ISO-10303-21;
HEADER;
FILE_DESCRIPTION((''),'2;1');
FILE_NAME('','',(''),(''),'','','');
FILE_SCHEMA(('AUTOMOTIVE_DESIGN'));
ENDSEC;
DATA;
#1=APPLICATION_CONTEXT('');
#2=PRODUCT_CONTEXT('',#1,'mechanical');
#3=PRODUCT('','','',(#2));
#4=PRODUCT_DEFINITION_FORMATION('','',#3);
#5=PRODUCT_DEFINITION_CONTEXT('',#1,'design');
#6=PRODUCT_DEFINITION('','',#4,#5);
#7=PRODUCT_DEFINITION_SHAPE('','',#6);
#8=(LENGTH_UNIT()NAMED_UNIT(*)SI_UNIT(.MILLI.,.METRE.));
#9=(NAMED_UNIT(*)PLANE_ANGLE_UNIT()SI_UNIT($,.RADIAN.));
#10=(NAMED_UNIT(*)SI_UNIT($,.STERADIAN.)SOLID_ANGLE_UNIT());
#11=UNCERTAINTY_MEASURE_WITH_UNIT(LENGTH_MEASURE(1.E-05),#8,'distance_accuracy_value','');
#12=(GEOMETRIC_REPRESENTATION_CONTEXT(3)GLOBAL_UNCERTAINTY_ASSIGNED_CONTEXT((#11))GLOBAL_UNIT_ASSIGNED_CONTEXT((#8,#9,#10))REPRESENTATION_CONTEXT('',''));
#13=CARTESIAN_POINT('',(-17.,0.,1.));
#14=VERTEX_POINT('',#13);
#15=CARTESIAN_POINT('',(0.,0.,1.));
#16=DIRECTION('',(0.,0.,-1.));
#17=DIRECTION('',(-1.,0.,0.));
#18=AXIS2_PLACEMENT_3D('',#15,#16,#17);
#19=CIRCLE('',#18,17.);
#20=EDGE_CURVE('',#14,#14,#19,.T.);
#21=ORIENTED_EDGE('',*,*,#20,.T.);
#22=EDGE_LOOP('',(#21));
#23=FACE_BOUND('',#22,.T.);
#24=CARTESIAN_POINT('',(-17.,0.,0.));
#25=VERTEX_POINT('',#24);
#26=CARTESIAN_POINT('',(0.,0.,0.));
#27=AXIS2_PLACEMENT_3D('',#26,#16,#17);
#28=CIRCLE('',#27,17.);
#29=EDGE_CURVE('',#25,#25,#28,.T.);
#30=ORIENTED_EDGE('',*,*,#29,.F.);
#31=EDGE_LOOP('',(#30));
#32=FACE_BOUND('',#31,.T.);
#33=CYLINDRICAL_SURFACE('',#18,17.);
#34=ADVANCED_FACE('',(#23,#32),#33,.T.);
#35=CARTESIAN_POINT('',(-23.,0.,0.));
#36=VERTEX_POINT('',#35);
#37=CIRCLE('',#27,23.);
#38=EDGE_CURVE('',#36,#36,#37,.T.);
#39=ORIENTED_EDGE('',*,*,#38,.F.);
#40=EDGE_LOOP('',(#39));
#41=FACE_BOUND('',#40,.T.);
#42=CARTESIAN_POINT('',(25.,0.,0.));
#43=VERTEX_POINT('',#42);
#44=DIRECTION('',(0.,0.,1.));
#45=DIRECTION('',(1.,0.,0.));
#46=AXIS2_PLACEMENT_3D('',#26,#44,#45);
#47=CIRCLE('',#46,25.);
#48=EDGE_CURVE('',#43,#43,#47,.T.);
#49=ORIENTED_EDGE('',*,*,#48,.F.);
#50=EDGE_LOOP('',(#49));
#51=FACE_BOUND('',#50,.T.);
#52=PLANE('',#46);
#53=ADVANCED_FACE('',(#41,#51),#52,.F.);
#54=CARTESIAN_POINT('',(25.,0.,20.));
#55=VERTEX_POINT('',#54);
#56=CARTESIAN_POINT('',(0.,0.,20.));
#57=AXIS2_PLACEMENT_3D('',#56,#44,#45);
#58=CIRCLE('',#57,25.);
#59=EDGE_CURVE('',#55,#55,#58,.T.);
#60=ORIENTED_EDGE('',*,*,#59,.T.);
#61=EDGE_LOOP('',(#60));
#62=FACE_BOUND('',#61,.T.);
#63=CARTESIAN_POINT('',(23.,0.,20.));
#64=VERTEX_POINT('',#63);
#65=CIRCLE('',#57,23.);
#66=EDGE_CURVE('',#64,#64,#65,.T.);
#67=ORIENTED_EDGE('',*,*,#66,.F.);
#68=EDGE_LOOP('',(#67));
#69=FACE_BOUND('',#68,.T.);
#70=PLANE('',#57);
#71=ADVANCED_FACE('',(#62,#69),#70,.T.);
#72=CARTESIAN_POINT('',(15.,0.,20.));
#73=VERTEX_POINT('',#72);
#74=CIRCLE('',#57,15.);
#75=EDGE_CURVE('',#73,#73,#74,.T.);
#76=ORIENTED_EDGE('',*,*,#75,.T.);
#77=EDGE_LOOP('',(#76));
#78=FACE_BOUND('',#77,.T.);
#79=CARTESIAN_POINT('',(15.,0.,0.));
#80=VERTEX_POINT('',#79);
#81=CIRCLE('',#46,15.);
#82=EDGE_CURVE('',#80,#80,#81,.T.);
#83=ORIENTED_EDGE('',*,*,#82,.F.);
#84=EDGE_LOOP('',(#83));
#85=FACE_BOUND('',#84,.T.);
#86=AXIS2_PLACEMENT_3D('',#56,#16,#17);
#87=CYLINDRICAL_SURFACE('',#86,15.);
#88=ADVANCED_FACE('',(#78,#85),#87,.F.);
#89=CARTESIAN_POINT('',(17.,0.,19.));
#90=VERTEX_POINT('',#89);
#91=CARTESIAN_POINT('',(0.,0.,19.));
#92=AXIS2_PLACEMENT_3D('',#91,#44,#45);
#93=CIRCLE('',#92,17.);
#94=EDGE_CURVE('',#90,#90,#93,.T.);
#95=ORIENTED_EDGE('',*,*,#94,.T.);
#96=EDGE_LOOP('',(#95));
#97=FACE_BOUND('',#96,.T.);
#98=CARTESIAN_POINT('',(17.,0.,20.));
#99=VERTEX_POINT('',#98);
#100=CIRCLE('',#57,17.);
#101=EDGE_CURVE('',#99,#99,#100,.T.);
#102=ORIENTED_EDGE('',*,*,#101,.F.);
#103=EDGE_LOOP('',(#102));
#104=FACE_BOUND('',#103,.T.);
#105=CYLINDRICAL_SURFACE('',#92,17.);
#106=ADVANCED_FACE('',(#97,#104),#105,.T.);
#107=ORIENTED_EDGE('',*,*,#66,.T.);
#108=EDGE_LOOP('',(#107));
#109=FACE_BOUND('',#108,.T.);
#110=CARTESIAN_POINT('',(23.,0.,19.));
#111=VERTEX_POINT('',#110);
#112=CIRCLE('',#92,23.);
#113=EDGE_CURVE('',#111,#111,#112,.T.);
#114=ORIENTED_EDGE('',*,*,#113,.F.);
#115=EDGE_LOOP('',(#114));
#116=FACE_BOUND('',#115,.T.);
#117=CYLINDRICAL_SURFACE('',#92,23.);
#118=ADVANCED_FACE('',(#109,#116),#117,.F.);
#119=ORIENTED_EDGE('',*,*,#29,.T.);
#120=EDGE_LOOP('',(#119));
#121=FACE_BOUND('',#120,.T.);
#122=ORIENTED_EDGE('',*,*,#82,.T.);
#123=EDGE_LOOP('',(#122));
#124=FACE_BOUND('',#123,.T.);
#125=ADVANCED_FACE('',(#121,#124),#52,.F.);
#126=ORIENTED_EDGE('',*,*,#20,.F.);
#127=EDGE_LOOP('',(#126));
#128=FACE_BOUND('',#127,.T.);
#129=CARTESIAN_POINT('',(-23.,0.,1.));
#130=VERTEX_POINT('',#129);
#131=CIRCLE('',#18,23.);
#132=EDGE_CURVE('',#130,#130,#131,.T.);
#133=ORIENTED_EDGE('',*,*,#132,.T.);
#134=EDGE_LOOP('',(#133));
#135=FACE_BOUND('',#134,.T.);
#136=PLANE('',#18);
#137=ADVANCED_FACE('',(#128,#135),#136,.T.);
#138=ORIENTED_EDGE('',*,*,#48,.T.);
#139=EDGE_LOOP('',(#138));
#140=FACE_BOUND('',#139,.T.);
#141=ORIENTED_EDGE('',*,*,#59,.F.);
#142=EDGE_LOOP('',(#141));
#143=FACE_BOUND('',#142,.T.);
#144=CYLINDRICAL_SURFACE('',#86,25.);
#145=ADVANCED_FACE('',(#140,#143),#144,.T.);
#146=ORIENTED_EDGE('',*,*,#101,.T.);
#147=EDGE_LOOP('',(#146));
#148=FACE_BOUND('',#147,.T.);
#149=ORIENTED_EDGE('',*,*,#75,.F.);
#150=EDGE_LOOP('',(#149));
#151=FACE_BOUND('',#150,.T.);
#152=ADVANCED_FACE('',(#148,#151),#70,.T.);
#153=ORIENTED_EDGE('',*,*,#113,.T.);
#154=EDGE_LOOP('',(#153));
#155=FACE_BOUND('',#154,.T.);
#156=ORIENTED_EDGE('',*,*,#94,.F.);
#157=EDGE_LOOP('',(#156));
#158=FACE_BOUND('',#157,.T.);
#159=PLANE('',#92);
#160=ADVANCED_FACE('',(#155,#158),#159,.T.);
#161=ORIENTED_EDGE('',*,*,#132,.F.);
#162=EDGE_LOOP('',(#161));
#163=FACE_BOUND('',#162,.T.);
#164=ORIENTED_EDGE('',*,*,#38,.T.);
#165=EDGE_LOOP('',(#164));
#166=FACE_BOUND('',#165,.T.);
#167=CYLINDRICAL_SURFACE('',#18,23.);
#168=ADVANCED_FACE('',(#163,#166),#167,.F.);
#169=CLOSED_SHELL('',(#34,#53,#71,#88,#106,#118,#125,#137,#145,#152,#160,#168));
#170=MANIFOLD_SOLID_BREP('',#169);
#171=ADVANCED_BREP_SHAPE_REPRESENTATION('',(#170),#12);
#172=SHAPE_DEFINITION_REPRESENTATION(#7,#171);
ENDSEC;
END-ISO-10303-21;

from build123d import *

# Parameters (mm, degrees)
SKETCH1_R           = 25
SKETCH1_R_2         = 15
BOSS_EXTRUDE1_DEPTH = 20
SKETCH2_R           = 23
SKETCH2_R_2         = 17
CUT_EXTRUDE1_DEPTH  = 1
CUT_EXTRUDE2_START  = -1
SKETCH3_R           = 23
SKETCH3_R_2         = 17
CUT_EXTRUDE2_DEPTH  = 1


with BuildPart() as part:
    # Sketch1 → Boss-Extrude1 (new body)
    with BuildSketch(Plane.XY):
        Circle(SKETCH1_R)
        Circle(SKETCH1_R_2, mode=Mode.SUBTRACT)
    extrude(amount=BOSS_EXTRUDE1_DEPTH)

    # Sketch2 → Cut-Extrude1 (cut)
    with BuildSketch(Plane.XY.offset(20)):
        Circle(SKETCH2_R)
        Circle(SKETCH2_R_2, mode=Mode.SUBTRACT)
    extrude(amount=-CUT_EXTRUDE1_DEPTH, mode=Mode.SUBTRACT)

    # Sketch3 → Cut-Extrude2 (cut)
    with BuildSketch(Plane(origin=(0, 0, 0), x_dir=(-1, 0, 0), z_dir=(0, 0, -1)).offset(CUT_EXTRUDE2_START)):
        with Locations(Location((0, 0, 0), (0, 0, 180))):
            Circle(SKETCH3_R)
        with Locations(Location((0, 0, 0), (0, 0, 180))):
            Circle(SKETCH3_R_2, mode=Mode.SUBTRACT)
    extrude(amount=CUT_EXTRUDE2_DEPTH, mode=Mode.SUBTRACT)


solid = part.part
